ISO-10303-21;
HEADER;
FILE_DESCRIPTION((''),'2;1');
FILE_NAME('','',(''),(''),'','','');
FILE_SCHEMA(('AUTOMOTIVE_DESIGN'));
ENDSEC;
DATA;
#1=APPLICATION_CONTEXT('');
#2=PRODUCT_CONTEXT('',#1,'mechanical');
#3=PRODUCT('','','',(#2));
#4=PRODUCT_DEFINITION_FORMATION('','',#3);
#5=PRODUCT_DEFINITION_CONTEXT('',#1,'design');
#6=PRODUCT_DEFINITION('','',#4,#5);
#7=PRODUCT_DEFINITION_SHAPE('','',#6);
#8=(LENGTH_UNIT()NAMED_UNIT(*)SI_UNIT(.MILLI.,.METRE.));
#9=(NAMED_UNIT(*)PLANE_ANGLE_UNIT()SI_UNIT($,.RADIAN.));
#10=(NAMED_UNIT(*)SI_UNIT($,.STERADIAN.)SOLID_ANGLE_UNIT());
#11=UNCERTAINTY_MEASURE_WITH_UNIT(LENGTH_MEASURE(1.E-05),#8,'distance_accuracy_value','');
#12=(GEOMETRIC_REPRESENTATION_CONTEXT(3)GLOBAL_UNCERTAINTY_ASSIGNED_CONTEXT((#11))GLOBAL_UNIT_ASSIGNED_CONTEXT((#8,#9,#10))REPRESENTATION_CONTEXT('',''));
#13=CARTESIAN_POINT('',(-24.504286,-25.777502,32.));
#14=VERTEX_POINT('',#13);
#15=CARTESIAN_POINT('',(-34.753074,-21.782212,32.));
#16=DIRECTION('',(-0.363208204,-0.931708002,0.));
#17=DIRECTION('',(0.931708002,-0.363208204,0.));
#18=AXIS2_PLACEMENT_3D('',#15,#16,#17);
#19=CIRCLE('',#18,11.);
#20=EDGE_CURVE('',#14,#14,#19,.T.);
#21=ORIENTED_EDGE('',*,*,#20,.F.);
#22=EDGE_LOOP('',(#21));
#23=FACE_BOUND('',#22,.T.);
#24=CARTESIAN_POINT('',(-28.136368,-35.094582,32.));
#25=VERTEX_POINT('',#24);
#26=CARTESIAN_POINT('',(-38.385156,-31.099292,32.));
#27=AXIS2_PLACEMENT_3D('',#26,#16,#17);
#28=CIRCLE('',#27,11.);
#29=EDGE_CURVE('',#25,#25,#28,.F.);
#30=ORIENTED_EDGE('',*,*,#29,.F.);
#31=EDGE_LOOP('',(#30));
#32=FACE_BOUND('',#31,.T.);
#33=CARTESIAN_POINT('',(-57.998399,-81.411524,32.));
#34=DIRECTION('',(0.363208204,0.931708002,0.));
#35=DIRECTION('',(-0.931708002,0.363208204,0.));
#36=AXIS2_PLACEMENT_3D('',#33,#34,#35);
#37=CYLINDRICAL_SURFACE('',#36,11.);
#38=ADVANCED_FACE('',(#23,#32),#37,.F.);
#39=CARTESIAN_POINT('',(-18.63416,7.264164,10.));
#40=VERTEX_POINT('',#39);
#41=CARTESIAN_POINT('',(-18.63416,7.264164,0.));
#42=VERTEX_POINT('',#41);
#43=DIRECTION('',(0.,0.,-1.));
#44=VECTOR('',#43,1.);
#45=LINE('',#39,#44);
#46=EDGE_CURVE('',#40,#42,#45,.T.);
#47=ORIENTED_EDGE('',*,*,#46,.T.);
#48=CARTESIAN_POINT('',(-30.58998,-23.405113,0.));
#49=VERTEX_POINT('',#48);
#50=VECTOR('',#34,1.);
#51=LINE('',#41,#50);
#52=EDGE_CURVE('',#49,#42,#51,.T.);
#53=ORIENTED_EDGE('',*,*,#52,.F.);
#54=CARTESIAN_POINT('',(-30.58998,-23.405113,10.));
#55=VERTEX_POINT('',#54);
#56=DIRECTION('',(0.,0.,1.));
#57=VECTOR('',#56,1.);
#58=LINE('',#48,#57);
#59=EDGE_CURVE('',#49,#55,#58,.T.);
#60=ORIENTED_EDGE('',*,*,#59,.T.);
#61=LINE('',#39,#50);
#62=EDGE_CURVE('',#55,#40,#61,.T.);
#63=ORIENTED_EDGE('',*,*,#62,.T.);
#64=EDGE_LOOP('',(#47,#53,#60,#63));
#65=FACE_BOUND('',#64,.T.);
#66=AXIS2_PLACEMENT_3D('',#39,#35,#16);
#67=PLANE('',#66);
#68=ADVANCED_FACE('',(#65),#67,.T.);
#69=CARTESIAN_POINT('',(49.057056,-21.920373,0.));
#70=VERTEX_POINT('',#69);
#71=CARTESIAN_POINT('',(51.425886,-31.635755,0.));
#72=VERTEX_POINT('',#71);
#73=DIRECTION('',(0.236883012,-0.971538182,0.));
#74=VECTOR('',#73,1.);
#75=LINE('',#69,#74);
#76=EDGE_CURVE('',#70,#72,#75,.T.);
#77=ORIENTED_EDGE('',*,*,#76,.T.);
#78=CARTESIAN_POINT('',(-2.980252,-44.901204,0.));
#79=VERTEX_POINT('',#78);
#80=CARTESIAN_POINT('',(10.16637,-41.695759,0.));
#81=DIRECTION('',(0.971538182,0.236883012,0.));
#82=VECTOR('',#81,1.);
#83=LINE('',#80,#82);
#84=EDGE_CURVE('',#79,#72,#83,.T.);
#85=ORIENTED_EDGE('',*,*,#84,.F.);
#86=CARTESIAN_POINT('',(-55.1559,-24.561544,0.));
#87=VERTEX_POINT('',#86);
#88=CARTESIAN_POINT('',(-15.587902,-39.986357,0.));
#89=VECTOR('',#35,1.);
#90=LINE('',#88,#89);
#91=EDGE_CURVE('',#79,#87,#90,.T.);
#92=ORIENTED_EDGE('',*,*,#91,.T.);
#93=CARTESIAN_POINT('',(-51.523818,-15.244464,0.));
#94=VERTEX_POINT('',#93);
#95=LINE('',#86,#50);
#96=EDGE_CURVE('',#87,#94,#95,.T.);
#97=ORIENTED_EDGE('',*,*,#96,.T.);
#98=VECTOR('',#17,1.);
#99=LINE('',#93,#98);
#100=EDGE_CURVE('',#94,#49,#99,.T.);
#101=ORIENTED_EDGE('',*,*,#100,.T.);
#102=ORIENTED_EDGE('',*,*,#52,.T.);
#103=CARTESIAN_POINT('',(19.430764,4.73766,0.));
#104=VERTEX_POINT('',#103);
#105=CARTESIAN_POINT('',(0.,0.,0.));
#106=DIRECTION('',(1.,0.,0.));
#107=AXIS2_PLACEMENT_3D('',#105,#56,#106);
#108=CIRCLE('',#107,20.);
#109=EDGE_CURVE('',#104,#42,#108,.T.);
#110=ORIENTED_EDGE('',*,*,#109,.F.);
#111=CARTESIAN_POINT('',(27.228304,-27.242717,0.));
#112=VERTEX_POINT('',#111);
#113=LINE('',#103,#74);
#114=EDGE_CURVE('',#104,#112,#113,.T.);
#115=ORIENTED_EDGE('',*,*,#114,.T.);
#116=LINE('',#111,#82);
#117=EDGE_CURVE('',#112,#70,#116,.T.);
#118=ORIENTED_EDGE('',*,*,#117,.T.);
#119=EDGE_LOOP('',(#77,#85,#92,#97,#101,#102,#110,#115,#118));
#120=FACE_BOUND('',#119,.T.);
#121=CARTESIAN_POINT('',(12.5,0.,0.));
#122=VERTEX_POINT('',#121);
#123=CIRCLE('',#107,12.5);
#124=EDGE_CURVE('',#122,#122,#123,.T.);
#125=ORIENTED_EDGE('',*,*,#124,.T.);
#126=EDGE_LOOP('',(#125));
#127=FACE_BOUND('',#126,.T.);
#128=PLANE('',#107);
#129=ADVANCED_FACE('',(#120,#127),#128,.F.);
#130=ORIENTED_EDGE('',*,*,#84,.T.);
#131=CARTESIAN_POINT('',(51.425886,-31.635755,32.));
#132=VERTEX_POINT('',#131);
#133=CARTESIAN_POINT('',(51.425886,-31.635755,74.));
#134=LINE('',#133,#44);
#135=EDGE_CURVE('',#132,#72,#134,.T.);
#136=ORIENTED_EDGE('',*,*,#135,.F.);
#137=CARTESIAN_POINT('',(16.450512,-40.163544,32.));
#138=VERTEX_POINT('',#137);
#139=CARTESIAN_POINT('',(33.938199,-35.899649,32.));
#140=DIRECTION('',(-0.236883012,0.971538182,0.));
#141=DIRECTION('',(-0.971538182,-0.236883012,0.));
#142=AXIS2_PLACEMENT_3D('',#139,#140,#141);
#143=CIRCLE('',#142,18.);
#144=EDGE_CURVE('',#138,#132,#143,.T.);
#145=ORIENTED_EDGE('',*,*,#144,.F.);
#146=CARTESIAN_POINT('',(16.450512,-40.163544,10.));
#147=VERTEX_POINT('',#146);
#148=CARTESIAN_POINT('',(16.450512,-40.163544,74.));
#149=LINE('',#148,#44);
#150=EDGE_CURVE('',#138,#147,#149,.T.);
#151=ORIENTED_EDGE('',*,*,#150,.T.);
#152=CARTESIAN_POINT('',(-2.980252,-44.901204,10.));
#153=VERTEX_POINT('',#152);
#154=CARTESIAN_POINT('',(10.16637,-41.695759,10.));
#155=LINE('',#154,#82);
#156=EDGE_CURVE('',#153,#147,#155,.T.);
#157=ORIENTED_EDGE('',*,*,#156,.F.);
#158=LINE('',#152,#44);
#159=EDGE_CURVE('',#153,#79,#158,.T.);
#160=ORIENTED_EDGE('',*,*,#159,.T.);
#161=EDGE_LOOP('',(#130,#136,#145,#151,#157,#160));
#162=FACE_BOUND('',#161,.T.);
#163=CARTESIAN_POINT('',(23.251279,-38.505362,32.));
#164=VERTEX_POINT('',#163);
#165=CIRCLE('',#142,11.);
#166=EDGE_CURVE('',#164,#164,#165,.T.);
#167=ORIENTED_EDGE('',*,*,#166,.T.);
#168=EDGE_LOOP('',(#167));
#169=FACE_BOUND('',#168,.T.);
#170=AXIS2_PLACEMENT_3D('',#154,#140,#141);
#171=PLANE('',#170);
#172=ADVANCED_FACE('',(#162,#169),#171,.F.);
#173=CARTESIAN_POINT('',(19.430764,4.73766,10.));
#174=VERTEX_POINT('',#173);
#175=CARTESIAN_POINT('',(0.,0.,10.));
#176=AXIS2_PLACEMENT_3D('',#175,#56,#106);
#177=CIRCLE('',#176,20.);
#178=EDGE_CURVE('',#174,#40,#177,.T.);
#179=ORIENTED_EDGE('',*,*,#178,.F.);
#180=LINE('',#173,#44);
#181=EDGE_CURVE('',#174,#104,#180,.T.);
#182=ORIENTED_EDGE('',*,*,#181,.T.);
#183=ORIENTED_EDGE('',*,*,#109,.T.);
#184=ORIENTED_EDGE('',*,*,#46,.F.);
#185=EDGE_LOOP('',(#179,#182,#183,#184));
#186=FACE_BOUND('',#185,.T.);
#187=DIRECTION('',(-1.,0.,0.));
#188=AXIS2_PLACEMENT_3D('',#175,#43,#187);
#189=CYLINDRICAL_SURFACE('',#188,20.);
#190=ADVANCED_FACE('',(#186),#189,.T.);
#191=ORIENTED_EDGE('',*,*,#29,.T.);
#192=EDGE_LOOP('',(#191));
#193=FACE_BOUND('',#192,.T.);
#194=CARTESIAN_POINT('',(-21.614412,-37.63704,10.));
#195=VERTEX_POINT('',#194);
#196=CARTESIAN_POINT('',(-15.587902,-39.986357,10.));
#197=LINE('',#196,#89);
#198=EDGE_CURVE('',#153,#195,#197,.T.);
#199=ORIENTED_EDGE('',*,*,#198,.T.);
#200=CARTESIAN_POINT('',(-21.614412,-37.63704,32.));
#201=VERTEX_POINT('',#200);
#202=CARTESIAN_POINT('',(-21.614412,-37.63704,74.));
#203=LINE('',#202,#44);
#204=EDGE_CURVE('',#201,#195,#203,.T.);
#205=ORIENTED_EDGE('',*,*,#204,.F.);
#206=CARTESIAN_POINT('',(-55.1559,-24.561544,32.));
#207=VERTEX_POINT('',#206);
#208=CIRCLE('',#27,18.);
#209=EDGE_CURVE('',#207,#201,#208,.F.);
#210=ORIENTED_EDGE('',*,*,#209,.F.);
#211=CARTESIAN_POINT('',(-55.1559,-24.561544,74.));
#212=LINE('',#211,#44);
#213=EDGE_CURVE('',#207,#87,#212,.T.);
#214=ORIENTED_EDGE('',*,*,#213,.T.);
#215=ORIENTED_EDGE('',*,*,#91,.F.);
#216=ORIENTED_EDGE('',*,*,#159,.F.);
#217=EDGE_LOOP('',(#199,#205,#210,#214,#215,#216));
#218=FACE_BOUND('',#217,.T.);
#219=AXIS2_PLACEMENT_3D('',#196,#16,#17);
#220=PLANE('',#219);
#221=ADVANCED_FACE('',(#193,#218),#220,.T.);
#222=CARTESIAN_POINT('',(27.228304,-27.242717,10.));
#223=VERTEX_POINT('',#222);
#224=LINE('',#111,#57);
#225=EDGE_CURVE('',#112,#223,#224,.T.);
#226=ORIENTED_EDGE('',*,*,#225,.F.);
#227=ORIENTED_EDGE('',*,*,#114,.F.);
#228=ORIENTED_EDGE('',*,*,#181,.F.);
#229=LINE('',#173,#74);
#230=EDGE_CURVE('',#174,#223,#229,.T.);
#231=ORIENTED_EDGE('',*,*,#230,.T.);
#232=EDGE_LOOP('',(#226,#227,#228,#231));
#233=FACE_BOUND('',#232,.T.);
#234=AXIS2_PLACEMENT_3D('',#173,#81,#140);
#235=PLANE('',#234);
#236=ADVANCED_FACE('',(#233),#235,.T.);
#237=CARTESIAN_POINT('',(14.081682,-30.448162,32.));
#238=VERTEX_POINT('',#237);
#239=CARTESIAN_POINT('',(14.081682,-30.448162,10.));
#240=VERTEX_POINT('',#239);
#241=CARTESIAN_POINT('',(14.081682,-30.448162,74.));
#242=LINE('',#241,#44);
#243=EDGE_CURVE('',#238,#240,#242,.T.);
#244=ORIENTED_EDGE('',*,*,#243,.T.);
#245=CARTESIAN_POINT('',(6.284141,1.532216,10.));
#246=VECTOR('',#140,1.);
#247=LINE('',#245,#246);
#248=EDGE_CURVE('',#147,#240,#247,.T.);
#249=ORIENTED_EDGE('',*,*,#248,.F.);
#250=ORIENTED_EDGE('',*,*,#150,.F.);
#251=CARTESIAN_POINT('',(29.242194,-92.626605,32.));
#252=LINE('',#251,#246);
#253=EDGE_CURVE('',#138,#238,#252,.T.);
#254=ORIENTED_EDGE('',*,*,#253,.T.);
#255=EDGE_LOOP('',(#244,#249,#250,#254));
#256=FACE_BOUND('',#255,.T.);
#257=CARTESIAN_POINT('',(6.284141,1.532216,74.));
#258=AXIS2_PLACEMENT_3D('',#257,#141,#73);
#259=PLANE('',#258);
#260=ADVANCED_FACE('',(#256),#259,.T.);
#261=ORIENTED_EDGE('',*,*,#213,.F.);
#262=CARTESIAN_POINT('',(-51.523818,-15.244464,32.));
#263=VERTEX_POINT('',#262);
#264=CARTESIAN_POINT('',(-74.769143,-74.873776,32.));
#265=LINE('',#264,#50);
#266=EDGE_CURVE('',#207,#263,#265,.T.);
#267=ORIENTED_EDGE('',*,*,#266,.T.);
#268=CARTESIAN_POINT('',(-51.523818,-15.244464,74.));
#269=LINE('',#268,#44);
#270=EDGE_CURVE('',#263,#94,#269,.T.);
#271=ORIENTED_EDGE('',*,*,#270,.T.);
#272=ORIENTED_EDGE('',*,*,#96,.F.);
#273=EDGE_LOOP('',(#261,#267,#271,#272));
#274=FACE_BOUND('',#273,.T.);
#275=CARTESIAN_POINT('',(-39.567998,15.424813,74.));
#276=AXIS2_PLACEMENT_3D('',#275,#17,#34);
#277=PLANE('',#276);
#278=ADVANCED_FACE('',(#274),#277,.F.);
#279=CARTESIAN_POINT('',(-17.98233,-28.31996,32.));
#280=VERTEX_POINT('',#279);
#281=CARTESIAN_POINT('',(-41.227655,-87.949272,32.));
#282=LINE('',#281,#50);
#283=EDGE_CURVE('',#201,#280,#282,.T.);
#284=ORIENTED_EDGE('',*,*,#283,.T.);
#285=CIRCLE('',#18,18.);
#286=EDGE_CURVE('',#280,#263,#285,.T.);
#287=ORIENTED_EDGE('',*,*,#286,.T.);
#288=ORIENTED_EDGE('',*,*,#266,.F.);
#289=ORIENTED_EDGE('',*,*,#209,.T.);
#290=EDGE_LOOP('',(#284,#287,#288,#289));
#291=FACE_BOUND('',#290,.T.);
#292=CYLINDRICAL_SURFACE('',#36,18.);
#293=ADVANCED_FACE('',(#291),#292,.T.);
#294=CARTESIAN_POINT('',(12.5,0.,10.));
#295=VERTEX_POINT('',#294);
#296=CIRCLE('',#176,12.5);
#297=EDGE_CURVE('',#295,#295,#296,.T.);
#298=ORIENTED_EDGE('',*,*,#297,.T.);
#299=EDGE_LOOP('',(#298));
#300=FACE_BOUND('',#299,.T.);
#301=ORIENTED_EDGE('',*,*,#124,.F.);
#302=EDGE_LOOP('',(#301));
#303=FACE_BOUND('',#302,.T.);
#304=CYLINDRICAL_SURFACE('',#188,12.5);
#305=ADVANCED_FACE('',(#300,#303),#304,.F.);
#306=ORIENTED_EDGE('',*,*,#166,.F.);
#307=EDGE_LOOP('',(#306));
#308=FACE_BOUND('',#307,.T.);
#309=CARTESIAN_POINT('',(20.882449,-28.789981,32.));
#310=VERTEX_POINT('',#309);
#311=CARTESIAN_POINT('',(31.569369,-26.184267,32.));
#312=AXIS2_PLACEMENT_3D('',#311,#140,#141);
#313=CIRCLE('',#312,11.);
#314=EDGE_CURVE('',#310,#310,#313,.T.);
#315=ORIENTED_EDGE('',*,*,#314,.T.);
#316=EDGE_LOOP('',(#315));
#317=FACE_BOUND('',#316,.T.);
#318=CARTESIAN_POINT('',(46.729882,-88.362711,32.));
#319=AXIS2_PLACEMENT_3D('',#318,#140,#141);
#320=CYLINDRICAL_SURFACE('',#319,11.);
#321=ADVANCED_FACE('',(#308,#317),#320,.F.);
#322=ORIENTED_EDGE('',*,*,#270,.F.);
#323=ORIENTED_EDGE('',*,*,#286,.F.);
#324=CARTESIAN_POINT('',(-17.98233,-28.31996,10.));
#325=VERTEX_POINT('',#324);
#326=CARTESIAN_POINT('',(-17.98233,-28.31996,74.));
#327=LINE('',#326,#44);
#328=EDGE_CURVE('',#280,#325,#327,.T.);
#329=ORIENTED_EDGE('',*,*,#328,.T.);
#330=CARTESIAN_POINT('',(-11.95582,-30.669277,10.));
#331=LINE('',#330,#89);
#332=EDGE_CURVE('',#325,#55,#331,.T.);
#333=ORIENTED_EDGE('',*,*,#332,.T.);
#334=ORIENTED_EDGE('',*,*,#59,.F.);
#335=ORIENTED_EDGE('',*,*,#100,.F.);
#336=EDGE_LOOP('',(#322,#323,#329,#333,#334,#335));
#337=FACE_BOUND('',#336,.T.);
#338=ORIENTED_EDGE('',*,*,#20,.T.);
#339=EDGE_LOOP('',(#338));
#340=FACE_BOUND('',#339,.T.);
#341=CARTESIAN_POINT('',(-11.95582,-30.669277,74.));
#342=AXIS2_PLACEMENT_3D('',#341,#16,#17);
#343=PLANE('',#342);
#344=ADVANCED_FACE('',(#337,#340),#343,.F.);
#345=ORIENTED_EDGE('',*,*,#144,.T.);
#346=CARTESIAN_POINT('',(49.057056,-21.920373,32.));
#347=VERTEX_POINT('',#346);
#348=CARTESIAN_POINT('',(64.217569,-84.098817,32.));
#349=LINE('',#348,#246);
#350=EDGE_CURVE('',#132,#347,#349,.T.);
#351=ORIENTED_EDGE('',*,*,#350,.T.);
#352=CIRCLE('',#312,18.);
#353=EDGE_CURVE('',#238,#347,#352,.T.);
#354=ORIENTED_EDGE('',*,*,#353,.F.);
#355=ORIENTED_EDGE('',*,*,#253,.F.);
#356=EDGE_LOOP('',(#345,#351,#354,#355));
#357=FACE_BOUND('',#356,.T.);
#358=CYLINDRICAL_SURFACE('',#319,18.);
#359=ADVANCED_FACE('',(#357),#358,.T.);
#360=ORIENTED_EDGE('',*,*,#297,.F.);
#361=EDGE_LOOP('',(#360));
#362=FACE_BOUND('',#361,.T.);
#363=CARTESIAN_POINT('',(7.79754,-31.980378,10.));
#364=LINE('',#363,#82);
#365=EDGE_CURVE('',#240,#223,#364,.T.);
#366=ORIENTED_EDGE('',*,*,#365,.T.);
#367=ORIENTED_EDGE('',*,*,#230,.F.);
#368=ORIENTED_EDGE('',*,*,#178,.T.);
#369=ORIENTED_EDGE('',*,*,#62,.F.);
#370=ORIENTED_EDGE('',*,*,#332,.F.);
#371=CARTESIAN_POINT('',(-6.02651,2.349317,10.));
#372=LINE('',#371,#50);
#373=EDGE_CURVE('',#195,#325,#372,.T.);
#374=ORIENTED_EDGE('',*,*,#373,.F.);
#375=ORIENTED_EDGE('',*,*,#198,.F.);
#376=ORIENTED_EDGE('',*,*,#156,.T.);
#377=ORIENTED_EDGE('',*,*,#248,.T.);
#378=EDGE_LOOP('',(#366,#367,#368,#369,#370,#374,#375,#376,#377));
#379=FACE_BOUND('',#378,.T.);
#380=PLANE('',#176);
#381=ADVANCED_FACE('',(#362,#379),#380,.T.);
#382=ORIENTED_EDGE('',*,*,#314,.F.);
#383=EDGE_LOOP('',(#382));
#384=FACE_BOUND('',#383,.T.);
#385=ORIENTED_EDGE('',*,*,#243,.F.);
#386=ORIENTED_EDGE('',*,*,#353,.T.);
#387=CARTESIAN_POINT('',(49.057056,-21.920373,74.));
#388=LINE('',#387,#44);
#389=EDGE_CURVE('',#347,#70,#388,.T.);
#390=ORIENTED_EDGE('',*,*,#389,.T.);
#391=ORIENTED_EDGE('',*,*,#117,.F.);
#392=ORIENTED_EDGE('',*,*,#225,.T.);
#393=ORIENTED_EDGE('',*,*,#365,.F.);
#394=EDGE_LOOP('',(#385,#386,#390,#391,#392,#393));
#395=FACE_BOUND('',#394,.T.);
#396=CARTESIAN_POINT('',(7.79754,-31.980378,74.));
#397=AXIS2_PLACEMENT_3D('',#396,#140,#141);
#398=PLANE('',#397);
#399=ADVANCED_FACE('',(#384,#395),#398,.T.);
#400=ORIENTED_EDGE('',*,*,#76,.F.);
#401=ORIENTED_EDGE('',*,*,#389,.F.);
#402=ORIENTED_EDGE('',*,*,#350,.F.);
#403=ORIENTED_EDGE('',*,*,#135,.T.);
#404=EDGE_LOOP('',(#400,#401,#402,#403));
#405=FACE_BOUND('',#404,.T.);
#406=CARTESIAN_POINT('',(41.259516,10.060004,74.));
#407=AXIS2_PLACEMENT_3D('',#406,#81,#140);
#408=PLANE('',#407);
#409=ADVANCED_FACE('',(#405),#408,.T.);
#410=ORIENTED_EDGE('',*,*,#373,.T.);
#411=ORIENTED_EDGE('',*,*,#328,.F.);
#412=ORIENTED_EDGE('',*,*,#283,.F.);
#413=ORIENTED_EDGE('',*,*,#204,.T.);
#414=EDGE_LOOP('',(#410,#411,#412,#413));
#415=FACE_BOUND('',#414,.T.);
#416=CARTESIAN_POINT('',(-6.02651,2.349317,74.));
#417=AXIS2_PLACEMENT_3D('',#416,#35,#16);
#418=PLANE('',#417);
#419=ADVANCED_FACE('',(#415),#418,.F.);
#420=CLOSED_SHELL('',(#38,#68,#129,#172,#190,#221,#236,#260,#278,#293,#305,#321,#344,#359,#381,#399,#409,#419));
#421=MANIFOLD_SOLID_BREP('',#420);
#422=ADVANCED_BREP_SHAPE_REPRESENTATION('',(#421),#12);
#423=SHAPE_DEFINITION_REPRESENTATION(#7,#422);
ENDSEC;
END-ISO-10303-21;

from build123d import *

# Parameters (mm, degrees)
SKETCH1_R           = 12.5
BOSS_EXTRUDE1_DEPTH = 10
BOSS_EXTRUDE2_DEPTH = 64
SKETCH3_R           = 11
CUT_EXTRUDE1_DEPTH  = 64
BOSS_EXTRUDE3_DEPTH = 10
BOSS_EXTRUDE4_DEPTH = 10


with BuildPart() as part:
    # Sketch1 → Boss-Extrude1 (new body)
    with BuildSketch(Plane.XY):
        with BuildLine():
            Line((-18.634160035, 7.264164081), (-34.222061974, -32.722193067))
            Line((-34.222061974, -32.722193067), (-2.980251959, -44.901203751))
            Line((-2.980251959, -44.901203751), (29.597134129, -36.958099196))
            Line((29.597134129, -36.958099196), (19.430763633, 4.73766025))
            ThreePointArc((19.430763633, 4.73766025), (1.324556426, 19.956090556), (-18.634160035, 7.264164081))
        make_face()
        Circle(SKETCH1_R, mode=Mode.SUBTRACT)
    extrude(amount=BOSS_EXTRUDE1_DEPTH)

    # Sketch2 → Boss-Extrude2 (add)
    with BuildSketch(Plane.XY.offset(10)):
        Polygon((27.228304004, -27.24271738), (29.597134129, -36.958099196), (51.425886213, -31.635755051), (49.057056089, -21.920373235), align=None)
        Polygon((16.450511674, -40.163543501), (29.597134129, -36.958099196), (27.228304004, -27.24271738), (14.081681549, -30.448161684), align=None)
    boss_extrude2 = extrude(amount=BOSS_EXTRUDE2_DEPTH)

    # Sketch3 → Cut-Extrude1 (cut)
    with BuildSketch(Plane(origin=(7.797540371, -31.98037763, 0), x_dir=(0.971538182, 0.236883012, 0), z_dir=(-0.236883012, 0.971538182, 0))):
        with Locations((24.468239022, -32)):
            Circle(SKETCH3_R)
        with BuildLine():
            ThreePointArc((42.468239022, -32), (24.468239022, -50), (6.468239022, -32))
            Line((6.468239022, -32), (6.468239022, -74))
            Line((6.468239022, -74), (42.468239022, -74))
            Line((42.468239022, -74), (42.468239022, -32))
        make_face()
    cut_extrude1 = extrude(amount=-CUT_EXTRUDE1_DEPTH, mode=Mode.SUBTRACT)

    # Mirror1: Boss-Extrude2, Cut-Extrude1 across plane
    add(boss_extrude2.mirror(Plane(origin=(0, 0, 0), x_dir=(0, 0, 1), z_dir=(-0.997804528, 0.066227821, 0))))
    add(cut_extrude1.mirror(Plane(origin=(0, 0, 0), x_dir=(0, 0, 1), z_dir=(-0.997804528, 0.066227821, 0))), mode=Mode.SUBTRACT)

    # Sketch5 → Boss-Extrude3 (add)
    with BuildSketch(Plane(origin=(0, 0, 10), x_dir=(-1, 0, 0), z_dir=(0, 0, -1))):
        Polygon((-49.057056089, -21.920373235), (-51.425886213, -31.635755051), (-29.597134129, -36.958099196), (-27.228304004, -27.24271738), align=None)
    extrude(amount=BOSS_EXTRUDE3_DEPTH)

    # Sketch6 → Boss-Extrude4 (add)
    with BuildSketch(Plane(origin=(0, 0, 10), x_dir=(-1, 0, 0), z_dir=(0, 0, -1))):
        Polygon((30.589979933, -23.405113049), (34.222061974, -32.722193067), (55.155900056, -24.561544323), (51.523818015, -15.244464306), align=None)
    extrude(amount=BOSS_EXTRUDE4_DEPTH)


solid = part.part
